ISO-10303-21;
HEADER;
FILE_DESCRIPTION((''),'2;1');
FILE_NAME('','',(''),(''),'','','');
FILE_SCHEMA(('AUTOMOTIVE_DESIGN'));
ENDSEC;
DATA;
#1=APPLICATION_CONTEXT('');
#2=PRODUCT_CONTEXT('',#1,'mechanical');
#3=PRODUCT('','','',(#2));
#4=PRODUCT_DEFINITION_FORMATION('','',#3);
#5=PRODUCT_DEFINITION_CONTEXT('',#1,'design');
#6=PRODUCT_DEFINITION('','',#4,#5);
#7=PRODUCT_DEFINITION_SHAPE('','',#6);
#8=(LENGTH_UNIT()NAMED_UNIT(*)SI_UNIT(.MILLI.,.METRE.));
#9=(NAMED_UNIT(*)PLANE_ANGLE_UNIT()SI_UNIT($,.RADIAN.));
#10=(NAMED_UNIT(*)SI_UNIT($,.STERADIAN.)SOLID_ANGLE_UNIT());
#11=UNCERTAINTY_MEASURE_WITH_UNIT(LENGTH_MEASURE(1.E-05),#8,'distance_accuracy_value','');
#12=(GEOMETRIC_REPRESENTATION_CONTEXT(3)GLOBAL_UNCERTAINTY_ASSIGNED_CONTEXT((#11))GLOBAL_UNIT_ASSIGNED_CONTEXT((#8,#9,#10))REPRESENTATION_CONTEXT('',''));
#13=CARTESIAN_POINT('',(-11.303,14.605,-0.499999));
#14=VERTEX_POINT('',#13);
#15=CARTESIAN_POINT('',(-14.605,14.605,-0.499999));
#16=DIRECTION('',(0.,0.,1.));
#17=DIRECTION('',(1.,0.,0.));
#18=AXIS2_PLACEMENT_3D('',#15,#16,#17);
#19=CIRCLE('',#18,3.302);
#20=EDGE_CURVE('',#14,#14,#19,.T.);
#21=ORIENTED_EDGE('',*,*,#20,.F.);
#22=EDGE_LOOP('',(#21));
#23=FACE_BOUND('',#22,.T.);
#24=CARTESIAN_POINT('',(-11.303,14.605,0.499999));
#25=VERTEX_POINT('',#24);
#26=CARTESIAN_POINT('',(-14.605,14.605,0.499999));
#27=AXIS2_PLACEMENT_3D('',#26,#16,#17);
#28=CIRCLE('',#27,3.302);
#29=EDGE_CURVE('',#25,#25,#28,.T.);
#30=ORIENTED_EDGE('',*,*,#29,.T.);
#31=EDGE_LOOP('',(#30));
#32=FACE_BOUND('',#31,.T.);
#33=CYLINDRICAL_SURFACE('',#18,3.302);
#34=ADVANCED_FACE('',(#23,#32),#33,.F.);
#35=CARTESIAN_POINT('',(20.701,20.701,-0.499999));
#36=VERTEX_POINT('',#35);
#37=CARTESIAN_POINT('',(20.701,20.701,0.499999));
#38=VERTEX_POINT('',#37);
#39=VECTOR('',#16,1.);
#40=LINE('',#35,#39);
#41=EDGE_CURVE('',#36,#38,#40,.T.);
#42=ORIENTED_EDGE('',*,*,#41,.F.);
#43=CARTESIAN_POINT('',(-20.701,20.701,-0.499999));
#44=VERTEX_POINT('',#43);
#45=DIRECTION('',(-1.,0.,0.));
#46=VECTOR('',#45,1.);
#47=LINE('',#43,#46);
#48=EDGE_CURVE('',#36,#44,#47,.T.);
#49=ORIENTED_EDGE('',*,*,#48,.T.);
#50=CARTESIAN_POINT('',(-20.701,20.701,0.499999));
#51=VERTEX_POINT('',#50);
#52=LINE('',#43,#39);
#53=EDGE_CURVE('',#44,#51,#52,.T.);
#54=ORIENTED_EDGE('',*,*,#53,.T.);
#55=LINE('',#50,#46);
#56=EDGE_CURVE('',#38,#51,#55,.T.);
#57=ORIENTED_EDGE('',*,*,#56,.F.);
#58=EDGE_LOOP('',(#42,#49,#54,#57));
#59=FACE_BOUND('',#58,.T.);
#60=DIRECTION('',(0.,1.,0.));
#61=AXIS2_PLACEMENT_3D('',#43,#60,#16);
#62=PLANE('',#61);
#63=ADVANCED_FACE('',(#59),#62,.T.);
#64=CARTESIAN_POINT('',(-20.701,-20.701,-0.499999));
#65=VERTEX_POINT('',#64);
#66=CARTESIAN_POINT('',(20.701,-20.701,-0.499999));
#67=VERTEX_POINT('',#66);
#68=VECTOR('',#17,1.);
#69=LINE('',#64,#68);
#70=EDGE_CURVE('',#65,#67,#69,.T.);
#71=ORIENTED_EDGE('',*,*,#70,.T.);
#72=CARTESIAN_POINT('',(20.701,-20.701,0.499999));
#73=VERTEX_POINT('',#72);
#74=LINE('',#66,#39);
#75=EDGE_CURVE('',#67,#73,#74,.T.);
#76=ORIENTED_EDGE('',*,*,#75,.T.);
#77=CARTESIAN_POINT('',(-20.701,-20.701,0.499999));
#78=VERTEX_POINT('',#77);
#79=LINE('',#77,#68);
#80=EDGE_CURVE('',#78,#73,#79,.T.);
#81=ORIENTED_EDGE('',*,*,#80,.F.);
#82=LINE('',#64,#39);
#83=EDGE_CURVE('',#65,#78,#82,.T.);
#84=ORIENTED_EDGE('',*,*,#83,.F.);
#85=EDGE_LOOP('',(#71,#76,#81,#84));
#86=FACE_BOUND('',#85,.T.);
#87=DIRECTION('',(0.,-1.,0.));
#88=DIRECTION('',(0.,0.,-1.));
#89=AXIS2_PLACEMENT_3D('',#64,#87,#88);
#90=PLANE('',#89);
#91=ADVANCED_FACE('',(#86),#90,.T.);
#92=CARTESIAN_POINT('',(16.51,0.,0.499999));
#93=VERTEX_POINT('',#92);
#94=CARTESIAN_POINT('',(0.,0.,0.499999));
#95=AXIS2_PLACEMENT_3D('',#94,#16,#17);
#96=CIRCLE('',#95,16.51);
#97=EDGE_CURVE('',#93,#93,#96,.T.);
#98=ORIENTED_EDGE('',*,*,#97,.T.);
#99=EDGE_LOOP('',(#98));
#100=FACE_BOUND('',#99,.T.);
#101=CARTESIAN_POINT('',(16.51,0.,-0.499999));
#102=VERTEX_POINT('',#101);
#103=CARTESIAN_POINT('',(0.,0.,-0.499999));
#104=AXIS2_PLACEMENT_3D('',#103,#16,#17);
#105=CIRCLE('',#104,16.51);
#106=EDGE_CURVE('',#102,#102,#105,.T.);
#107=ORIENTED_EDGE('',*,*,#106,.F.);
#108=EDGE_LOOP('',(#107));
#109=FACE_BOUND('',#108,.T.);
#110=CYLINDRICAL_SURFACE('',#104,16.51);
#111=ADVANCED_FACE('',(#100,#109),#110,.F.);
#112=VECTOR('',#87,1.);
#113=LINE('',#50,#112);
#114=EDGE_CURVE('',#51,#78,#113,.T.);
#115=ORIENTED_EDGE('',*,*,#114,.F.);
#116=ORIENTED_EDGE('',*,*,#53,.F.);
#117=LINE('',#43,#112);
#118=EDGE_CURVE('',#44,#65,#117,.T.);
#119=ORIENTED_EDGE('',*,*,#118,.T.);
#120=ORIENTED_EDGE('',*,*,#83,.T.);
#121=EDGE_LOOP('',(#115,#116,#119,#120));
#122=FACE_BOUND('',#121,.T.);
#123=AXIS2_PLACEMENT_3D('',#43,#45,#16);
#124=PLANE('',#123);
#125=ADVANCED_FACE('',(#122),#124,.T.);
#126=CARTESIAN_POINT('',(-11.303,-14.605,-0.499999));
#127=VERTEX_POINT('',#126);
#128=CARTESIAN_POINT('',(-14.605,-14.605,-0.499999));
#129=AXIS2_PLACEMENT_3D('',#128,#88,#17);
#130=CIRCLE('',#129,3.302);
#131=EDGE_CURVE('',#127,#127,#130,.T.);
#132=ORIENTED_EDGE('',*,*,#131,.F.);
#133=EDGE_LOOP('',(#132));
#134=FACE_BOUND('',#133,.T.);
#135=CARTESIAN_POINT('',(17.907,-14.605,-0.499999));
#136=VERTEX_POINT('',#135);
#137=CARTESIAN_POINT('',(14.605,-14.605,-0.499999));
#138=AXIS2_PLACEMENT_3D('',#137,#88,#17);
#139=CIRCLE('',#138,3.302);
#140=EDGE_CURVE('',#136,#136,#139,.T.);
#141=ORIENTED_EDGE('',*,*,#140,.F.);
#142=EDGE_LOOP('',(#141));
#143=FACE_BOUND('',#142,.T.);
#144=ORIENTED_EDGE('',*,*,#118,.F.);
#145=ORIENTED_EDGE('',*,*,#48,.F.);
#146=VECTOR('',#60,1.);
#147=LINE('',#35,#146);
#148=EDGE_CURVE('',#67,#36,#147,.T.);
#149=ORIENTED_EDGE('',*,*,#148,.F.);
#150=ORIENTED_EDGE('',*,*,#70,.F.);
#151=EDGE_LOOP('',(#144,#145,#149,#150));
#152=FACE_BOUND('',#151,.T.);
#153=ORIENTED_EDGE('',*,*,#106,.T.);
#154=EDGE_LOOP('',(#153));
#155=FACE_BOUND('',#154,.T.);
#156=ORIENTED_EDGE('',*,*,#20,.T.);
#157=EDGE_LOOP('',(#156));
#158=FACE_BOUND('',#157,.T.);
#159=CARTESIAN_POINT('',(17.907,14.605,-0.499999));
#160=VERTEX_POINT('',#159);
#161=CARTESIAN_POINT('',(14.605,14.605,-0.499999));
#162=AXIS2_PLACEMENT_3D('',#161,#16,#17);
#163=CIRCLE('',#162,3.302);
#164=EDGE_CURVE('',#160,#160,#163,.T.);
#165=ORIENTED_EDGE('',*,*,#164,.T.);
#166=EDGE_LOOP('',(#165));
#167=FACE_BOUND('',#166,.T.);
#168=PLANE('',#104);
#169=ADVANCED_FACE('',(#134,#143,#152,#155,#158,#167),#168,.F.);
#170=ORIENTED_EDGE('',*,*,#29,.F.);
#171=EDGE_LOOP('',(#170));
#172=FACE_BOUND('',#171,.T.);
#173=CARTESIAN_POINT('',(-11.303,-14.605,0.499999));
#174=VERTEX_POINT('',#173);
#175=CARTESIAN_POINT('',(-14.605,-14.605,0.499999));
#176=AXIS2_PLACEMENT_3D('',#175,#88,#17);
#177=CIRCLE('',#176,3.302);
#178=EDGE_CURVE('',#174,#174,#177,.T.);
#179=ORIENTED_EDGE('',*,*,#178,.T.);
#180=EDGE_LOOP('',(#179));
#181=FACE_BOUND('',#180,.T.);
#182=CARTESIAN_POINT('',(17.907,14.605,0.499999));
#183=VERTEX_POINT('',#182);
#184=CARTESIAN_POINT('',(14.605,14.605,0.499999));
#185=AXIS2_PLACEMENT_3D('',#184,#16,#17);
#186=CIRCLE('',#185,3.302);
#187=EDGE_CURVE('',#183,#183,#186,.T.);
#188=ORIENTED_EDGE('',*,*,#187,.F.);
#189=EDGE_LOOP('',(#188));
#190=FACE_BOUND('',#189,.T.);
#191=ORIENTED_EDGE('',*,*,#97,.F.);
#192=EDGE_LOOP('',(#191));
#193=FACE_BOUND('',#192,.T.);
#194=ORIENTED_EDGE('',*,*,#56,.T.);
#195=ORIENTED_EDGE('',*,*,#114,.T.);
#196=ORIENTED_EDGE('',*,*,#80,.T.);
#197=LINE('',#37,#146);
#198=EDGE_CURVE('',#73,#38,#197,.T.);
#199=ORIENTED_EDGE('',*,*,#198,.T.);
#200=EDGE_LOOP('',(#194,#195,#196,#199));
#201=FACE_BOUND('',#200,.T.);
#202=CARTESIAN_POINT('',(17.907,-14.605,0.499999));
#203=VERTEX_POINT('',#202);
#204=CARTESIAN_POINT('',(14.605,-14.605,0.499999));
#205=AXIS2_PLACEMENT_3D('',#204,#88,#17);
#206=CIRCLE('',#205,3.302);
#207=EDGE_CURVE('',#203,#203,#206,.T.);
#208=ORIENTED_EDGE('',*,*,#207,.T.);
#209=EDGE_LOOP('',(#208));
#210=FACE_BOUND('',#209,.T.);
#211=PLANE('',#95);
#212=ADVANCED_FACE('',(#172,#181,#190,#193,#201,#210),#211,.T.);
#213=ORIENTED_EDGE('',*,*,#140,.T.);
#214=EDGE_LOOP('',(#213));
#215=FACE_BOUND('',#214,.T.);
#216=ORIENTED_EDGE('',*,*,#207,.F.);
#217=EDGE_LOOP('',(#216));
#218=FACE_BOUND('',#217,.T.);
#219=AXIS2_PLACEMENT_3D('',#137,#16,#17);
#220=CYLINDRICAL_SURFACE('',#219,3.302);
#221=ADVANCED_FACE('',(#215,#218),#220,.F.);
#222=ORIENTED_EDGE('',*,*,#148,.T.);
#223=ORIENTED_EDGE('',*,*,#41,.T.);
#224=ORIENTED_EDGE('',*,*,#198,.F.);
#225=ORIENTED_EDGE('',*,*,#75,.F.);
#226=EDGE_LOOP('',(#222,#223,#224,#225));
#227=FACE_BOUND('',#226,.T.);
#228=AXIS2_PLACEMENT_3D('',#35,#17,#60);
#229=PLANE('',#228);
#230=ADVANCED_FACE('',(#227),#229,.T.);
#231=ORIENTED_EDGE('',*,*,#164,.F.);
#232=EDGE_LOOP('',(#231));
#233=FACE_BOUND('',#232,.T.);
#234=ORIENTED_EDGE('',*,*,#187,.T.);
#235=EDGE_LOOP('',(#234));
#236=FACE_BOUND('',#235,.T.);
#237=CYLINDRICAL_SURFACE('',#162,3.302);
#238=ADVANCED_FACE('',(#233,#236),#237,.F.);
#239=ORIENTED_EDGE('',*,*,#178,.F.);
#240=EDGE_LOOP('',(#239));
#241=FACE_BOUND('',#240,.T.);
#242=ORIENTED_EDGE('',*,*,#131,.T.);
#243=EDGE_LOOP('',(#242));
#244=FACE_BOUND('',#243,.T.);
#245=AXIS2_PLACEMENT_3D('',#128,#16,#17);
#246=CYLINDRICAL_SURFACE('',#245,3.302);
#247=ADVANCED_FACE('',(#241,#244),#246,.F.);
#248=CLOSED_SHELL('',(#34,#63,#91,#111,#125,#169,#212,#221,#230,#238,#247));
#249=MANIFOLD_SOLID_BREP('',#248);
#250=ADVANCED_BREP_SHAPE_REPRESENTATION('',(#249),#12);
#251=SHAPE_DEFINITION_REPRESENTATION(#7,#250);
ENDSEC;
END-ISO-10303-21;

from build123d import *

# Parameters (mm, degrees)
BOSS_EXTRUDE1_DEPTH      = 0.499999
BOSS_EXTRUDE1_DEPTH_BACK = 0.499999
SKETCH1_W                = 41.402
SKETCH1_H                = 41.402
SKETCH3_R                = 16.51
CUT_EXTRUDE1_DEPTH       = 30.292708956
SKETCH6_R                = 3.302
CUT_EXTRUDE2_DEPTH       = 30.292708956


with BuildPart() as part:
    # Sketch1 → Boss-Extrude1 (new, two sides: drawn at the far end of the back side and taken through both)
    with BuildSketch(Plane.XY.offset(-BOSS_EXTRUDE1_DEPTH_BACK)):
        Rectangle(SKETCH1_W, SKETCH1_H)
    extrude(amount=BOSS_EXTRUDE1_DEPTH + BOSS_EXTRUDE1_DEPTH_BACK)

    # Sketch3 → Cut-Extrude1 (cut, through all)
    with BuildSketch(Plane.XY.offset(0.499999)):
        Circle(SKETCH3_R)
    extrude(amount=-CUT_EXTRUDE1_DEPTH, mode=Mode.SUBTRACT)

    # Sketch6 → Cut-Extrude2 (cut, through all)
    with BuildSketch(Plane.XY.offset(0.499999)):
        with Locations((-14.605, 14.605)):
            Circle(SKETCH6_R)
        with Locations((14.605, 14.605)):
            Circle(SKETCH6_R)
    cut_extrude2 = extrude(amount=-CUT_EXTRUDE2_DEPTH, mode=Mode.SUBTRACT)

    # Mirror1: Cut-Extrude2 across plane
    add(cut_extrude2.mirror(Plane.ZX), mode=Mode.SUBTRACT)


solid = part.part
